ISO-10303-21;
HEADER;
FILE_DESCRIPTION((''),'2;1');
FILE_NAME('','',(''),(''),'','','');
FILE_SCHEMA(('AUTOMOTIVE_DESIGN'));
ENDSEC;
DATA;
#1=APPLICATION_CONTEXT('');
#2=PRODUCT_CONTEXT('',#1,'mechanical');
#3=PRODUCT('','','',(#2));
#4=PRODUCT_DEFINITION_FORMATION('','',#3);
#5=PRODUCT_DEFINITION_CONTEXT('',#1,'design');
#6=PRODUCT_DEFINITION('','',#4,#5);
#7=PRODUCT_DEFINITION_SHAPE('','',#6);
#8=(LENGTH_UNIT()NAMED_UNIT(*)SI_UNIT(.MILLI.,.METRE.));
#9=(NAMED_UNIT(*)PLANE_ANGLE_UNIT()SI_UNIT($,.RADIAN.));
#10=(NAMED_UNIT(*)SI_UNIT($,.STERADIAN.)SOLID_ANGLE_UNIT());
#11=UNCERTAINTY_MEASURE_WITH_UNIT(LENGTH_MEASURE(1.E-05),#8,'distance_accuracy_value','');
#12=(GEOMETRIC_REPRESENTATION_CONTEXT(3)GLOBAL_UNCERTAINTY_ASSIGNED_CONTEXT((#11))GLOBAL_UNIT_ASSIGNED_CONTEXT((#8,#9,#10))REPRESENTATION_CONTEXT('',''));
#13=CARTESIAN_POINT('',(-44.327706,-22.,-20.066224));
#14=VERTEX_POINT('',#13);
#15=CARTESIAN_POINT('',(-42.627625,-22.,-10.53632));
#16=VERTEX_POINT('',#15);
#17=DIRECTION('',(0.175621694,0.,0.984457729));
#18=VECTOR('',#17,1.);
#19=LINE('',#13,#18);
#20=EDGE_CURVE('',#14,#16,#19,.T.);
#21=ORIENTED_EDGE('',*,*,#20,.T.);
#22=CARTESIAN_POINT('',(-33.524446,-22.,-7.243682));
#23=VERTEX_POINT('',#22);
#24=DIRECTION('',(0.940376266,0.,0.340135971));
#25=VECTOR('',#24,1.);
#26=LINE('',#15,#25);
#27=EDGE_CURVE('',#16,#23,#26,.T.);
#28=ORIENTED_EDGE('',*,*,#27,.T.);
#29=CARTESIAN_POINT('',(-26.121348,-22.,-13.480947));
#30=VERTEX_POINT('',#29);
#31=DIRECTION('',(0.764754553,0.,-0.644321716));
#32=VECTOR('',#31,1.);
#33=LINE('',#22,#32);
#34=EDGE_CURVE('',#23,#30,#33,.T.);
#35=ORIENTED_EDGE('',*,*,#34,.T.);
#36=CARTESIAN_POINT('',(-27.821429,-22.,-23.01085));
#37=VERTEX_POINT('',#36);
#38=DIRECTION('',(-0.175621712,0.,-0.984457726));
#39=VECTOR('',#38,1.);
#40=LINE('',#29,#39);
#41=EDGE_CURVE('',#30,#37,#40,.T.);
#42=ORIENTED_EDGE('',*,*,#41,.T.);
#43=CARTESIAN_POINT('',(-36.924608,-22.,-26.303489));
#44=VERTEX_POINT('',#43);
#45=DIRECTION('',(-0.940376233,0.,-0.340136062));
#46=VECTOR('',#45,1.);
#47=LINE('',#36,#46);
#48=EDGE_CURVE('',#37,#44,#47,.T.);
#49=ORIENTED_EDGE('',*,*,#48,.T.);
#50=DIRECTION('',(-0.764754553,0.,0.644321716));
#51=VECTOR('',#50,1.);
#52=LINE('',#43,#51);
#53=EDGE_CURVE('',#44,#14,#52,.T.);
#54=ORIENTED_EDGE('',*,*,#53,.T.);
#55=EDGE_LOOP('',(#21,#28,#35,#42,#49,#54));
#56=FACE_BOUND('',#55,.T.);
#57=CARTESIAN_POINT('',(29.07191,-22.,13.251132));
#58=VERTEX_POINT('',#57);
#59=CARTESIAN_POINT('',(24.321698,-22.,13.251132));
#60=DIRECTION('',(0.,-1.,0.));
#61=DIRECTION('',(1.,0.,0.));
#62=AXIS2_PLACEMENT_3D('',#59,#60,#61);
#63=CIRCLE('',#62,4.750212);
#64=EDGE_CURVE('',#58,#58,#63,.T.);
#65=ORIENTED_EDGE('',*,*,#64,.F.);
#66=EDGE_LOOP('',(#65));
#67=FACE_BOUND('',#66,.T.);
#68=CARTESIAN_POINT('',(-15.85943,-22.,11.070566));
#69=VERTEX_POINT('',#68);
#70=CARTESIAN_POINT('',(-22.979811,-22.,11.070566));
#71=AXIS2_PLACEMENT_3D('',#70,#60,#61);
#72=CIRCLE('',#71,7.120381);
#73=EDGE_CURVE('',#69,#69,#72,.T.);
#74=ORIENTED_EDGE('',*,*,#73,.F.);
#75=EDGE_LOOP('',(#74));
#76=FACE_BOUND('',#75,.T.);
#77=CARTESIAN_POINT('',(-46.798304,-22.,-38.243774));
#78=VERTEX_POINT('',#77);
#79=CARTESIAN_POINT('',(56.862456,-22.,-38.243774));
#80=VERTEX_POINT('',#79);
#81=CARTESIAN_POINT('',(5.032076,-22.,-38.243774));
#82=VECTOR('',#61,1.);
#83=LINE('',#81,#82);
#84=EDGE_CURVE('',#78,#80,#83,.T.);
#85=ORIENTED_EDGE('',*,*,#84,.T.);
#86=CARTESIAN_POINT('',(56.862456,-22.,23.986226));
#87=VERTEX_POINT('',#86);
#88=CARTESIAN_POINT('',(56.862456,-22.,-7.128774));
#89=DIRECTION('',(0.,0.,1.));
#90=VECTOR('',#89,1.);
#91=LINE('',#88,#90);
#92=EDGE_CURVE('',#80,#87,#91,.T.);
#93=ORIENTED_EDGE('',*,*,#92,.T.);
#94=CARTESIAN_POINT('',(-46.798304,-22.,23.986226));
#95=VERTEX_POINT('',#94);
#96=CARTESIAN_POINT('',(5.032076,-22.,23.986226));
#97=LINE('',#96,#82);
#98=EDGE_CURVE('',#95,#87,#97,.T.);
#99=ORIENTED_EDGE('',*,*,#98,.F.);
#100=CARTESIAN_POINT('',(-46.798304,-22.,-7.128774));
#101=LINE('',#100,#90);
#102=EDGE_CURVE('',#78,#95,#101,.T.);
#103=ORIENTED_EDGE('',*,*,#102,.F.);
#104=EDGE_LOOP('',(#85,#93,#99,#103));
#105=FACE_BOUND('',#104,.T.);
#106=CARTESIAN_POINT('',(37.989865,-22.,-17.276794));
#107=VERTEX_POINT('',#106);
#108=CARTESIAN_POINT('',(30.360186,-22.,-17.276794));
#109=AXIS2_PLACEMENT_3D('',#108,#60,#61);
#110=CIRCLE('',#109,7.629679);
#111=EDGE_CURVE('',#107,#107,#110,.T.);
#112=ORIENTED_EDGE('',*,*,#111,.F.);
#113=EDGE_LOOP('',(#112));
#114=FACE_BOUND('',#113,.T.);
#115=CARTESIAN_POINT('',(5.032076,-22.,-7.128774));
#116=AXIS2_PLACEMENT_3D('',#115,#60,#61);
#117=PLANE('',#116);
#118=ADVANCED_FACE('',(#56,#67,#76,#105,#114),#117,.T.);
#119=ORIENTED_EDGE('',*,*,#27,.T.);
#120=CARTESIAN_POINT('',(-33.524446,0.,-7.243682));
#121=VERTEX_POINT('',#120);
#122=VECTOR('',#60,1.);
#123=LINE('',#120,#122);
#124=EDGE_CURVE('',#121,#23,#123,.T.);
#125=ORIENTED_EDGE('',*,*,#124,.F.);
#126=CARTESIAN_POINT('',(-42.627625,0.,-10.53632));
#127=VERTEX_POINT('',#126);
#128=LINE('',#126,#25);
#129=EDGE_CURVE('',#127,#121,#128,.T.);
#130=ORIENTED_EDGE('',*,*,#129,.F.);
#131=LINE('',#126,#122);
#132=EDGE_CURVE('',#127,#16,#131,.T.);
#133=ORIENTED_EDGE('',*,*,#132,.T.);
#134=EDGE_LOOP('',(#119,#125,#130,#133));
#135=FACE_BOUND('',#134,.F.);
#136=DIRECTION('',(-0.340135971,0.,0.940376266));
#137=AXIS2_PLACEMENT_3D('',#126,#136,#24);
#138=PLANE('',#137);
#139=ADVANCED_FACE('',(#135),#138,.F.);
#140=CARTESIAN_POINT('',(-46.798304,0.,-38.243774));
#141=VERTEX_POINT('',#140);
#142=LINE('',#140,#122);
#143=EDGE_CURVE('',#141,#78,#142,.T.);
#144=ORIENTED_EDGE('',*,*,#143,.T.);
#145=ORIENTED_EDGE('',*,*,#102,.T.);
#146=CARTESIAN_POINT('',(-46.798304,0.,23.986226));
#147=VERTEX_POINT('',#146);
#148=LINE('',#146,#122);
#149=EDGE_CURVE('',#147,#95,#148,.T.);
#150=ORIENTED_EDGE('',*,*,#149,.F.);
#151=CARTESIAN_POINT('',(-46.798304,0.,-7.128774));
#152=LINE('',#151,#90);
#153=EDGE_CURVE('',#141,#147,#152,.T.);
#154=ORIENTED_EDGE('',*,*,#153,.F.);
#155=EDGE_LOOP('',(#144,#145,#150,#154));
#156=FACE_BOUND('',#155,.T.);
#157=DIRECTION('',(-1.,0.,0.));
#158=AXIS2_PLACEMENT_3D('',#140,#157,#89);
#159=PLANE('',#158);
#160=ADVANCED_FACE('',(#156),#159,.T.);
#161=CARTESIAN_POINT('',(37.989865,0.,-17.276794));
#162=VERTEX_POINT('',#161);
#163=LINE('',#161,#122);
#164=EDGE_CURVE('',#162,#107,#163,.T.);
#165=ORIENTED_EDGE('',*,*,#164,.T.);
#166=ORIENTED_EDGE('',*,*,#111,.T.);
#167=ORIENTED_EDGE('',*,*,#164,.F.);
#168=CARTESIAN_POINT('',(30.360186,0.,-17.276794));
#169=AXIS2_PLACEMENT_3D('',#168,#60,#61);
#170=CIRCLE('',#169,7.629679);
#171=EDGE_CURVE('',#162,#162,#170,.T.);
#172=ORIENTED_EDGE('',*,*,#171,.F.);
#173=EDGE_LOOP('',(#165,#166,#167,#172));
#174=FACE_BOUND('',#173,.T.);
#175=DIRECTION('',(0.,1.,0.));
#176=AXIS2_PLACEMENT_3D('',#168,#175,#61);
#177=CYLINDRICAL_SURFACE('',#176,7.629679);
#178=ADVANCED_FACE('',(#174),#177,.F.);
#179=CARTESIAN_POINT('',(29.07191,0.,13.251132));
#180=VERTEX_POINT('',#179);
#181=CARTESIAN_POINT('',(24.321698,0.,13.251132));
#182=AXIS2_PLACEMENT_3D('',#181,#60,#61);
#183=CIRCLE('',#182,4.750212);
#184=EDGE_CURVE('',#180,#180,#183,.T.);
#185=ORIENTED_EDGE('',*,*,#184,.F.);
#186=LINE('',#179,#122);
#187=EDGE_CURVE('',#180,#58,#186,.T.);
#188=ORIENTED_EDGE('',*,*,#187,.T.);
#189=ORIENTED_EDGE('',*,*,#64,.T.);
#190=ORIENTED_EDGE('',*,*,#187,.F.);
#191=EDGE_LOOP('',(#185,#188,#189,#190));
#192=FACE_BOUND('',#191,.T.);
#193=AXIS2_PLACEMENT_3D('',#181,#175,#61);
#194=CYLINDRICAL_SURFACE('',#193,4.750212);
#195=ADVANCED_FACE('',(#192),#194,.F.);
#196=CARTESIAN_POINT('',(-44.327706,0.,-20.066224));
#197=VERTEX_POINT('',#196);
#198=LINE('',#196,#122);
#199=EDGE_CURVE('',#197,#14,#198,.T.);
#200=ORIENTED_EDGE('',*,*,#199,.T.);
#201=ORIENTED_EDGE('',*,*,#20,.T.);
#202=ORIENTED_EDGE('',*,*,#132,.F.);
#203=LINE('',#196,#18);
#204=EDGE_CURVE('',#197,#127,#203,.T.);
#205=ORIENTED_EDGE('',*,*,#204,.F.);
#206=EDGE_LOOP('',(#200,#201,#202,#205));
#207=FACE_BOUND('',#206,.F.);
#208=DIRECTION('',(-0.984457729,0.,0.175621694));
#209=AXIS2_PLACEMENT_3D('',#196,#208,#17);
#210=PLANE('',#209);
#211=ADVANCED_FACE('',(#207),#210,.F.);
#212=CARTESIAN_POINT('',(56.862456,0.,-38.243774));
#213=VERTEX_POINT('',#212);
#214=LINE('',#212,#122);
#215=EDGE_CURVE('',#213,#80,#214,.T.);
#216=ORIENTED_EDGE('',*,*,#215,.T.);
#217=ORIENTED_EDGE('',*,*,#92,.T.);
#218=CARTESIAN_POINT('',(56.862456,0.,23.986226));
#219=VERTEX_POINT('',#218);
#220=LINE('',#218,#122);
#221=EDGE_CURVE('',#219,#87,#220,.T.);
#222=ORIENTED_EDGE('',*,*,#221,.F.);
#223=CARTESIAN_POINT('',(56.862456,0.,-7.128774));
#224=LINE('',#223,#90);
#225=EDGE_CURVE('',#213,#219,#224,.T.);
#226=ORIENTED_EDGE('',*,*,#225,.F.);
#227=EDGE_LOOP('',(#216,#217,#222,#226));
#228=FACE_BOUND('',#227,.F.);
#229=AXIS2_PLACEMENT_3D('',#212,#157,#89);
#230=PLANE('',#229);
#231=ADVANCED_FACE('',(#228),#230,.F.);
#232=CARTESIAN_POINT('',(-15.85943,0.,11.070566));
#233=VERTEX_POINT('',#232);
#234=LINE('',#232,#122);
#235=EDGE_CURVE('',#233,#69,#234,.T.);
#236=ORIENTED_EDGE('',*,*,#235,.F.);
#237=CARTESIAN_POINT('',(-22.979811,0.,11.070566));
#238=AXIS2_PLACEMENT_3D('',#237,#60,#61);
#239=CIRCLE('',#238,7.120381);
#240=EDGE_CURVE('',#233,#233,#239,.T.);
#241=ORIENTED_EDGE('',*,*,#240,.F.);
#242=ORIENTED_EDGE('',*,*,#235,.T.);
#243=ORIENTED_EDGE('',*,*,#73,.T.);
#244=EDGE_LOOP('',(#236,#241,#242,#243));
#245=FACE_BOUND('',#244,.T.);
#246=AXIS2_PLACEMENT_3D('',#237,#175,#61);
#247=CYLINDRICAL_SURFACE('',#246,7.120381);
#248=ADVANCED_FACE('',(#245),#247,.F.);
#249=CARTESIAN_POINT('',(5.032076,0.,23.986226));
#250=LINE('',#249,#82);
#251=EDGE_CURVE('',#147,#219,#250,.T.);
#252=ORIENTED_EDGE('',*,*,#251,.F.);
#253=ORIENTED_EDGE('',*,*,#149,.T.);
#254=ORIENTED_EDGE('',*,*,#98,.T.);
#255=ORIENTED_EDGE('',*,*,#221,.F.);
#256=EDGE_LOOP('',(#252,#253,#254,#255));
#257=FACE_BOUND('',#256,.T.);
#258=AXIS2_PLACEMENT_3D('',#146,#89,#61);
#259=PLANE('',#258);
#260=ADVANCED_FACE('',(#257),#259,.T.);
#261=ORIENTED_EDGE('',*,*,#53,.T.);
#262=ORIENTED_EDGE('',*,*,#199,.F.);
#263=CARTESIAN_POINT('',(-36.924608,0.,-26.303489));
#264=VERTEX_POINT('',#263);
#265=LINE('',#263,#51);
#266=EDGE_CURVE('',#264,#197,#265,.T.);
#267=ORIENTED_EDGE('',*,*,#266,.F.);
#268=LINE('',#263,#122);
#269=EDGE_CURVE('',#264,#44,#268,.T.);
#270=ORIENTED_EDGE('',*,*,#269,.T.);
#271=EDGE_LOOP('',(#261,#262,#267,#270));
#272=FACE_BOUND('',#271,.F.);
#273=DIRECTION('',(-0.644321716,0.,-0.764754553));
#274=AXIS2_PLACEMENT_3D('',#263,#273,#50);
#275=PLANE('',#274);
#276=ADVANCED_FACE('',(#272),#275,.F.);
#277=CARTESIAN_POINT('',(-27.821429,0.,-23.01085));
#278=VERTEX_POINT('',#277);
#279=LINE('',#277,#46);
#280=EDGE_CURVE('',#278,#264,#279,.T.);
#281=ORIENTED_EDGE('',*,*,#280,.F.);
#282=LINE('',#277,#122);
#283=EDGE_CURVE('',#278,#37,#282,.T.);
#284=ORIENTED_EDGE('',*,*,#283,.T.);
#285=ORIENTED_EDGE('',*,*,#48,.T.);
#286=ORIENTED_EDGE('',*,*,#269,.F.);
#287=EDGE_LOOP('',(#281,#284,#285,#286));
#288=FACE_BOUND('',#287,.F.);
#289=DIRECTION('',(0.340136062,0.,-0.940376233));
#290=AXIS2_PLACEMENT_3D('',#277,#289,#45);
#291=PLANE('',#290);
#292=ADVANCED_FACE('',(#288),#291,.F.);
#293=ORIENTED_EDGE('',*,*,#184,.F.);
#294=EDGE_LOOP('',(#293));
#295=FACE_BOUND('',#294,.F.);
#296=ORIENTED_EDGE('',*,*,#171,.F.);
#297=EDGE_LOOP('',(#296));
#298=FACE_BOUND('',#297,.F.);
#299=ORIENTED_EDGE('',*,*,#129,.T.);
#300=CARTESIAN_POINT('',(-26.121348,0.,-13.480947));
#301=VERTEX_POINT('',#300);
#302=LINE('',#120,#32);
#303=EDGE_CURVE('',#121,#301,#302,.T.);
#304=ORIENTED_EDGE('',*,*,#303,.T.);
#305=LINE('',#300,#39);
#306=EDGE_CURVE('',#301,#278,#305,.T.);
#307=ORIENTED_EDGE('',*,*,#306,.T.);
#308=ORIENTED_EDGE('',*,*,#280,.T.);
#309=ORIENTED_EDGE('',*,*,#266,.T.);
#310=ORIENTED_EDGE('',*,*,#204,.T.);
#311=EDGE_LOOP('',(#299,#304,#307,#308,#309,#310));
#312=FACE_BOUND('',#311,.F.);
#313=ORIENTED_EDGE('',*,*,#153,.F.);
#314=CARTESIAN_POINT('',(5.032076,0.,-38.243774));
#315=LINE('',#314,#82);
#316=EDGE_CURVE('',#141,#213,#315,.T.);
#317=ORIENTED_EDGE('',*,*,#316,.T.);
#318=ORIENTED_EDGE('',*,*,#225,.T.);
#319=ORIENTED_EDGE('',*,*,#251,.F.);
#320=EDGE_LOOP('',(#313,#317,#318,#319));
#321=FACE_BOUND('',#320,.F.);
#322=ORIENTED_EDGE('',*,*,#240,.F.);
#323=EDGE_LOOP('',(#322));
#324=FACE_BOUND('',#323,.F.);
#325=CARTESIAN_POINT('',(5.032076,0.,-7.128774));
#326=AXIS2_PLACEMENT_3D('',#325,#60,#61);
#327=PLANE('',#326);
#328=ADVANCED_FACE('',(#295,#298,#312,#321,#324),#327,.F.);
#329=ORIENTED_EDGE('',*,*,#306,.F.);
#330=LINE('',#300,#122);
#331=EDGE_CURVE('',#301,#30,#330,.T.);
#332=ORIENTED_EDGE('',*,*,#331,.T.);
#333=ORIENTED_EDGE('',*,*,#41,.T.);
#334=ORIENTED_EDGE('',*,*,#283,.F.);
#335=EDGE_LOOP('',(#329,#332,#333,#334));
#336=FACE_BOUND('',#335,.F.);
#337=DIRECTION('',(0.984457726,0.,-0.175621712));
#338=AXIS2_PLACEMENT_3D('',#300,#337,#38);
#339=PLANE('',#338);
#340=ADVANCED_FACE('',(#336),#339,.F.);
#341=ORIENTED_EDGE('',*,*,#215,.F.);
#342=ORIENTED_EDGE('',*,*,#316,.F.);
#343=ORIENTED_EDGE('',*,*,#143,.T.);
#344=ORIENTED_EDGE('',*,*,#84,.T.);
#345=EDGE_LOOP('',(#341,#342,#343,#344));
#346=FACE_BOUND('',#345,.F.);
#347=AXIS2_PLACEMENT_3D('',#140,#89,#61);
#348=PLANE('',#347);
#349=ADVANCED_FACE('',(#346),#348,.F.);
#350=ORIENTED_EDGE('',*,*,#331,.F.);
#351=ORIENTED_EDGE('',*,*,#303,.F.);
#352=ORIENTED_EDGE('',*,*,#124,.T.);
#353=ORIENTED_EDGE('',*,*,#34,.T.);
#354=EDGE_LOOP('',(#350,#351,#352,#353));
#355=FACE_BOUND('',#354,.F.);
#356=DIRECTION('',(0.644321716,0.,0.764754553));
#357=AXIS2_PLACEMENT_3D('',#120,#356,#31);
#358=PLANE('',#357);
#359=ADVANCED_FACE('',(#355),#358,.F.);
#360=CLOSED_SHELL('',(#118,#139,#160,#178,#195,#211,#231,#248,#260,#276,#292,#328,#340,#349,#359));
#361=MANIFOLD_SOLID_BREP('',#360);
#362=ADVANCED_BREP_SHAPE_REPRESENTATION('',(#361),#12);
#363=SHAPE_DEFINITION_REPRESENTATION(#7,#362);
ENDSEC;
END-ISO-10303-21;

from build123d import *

# Parameters (mm, degrees)
F0_W     = 103.660759
F0_H     = 62.23
F0_R     = 7.629679
F0_R_2   = 7.120381
F0_R_3   = 4.750212
F1_DEPTH = 22


with BuildPart() as f1:
    # F0 (on Front) → F1 (new body)
    with BuildSketch(Plane.XZ):
        with Locations((5.032076, -7.128774)):
            Rectangle(F0_W, F0_H)
        Polygon((-26.121348, -13.480947), (-27.821429, -23.01085), (-36.924608, -26.303489), (-44.327706, -20.066224), (-42.627625, -10.53632), (-33.524446, -7.243682), align=None, mode=Mode.SUBTRACT)
        with Locations((30.360186, -17.276794)):
            Circle(F0_R, mode=Mode.SUBTRACT)
        with Locations((-22.979811, 11.070566)):
            Circle(F0_R_2, mode=Mode.SUBTRACT)
        with Locations((24.321698, 13.251132)):
            Circle(F0_R_3, mode=Mode.SUBTRACT)
    extrude(amount=F1_DEPTH)


solid = f1.part
